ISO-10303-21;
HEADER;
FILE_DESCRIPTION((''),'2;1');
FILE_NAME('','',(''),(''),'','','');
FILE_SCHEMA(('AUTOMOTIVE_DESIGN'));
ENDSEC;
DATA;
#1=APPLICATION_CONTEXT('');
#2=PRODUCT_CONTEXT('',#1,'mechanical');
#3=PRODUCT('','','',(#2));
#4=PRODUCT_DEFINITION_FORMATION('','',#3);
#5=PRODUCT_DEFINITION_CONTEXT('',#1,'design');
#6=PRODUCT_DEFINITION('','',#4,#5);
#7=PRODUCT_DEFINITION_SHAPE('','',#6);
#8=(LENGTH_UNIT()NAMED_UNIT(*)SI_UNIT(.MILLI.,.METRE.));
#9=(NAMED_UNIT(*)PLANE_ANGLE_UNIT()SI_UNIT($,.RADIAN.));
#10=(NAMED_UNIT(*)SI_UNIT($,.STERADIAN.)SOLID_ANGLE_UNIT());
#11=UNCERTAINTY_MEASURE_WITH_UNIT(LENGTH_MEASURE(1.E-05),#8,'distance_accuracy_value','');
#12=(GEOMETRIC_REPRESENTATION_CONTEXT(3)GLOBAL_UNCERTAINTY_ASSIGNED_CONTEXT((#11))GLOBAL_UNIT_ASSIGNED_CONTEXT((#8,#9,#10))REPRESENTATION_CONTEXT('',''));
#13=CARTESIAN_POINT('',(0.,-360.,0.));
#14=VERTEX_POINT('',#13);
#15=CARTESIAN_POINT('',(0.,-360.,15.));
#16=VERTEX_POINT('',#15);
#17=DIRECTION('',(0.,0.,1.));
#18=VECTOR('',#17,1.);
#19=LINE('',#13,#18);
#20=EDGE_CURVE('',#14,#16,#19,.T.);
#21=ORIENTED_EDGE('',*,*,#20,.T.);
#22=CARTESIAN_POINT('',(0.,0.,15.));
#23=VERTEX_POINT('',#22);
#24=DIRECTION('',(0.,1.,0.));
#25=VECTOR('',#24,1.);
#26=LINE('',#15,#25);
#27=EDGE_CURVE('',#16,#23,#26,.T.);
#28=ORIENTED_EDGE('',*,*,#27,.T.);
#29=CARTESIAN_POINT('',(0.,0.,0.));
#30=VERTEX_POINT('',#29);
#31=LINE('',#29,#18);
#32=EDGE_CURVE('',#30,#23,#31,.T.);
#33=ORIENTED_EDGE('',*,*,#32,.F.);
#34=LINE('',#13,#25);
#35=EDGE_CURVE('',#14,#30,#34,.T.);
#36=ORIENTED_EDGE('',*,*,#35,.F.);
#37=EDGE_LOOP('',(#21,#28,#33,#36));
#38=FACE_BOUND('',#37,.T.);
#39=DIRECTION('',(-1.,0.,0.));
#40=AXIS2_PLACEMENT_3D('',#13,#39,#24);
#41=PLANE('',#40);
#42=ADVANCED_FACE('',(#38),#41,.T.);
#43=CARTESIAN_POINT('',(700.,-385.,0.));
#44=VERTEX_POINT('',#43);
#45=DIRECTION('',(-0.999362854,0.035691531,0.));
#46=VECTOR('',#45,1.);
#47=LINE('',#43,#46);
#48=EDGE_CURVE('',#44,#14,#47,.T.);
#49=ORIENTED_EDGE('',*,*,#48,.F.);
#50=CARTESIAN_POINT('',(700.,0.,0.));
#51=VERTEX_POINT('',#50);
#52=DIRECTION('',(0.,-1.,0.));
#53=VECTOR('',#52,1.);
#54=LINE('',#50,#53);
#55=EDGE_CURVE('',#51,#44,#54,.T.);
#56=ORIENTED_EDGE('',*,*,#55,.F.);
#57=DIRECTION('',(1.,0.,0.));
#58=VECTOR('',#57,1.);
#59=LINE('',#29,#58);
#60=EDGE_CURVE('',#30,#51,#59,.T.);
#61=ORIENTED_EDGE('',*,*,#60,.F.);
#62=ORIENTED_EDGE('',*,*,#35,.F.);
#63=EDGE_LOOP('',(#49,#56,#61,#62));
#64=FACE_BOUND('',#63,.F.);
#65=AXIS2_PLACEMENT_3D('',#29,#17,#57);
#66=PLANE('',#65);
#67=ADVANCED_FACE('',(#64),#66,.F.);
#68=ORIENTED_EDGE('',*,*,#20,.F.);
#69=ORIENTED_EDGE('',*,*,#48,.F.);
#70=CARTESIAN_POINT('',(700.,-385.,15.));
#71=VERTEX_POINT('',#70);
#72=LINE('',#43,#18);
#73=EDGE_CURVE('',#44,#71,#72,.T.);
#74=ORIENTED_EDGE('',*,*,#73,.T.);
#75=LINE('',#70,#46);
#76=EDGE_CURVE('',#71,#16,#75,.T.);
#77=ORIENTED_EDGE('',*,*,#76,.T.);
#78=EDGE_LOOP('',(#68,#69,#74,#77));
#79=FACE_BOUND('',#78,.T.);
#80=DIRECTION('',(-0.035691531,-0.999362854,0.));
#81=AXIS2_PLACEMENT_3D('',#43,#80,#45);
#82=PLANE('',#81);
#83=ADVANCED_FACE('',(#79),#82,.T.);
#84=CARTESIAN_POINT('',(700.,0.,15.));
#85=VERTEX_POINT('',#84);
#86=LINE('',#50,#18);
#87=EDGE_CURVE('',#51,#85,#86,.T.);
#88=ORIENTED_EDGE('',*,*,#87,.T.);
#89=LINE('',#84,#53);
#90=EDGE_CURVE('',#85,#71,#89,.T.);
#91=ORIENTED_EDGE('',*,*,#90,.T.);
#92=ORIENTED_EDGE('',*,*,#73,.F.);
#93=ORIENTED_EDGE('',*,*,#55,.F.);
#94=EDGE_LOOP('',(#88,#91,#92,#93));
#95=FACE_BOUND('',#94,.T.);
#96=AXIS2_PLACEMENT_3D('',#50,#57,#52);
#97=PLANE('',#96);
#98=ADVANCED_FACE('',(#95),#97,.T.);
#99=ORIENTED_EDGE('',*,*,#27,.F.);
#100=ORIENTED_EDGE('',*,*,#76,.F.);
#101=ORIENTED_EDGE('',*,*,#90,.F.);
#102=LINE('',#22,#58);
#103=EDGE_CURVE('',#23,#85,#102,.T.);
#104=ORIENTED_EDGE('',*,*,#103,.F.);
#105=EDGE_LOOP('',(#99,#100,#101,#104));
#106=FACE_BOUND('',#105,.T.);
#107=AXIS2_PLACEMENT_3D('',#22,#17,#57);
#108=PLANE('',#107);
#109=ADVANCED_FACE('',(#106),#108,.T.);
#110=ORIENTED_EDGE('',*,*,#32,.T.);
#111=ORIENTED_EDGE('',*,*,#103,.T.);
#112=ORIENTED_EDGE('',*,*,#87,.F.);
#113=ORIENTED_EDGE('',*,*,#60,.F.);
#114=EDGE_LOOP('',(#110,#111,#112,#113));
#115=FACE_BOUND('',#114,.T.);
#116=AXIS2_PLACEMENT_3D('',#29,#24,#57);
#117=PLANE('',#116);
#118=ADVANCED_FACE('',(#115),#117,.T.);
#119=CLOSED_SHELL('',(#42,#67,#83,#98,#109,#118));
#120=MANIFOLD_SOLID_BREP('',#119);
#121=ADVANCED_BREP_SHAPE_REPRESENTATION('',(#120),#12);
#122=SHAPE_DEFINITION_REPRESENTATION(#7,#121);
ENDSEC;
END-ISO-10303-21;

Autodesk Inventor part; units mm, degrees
ref_plane "YZ Plane" through (0, 0, 0) normal (1, 0, 0) x (0, 1, 0)
ref_plane "XZ Plane" through (0, 0, 0) normal (0, 1, 0) x (-1, 0, 0)
ref_plane "XY Plane" through (0, 0, 0) normal (0, 0, 1) x (1, 0, 0)
sketch "Эскиз1" plane through (0, 0, 0) normal (0, 0, 1) x (1, 0, 0)
  line L0 (0, 0) -> (700, 0)
  line L1 (700, 0) -> (700, -385)
  line L2 (700, -385) -> (0, -360)
  line L3 (0, -360) -> (0, 0)
  dimension "d0" = 700
  dimension "d1" = 385
  dimension "d2" = 360
extrude "Выдавливание1" add sketch "Эскиз1" along normal blind 15
properties part number "боковина"
